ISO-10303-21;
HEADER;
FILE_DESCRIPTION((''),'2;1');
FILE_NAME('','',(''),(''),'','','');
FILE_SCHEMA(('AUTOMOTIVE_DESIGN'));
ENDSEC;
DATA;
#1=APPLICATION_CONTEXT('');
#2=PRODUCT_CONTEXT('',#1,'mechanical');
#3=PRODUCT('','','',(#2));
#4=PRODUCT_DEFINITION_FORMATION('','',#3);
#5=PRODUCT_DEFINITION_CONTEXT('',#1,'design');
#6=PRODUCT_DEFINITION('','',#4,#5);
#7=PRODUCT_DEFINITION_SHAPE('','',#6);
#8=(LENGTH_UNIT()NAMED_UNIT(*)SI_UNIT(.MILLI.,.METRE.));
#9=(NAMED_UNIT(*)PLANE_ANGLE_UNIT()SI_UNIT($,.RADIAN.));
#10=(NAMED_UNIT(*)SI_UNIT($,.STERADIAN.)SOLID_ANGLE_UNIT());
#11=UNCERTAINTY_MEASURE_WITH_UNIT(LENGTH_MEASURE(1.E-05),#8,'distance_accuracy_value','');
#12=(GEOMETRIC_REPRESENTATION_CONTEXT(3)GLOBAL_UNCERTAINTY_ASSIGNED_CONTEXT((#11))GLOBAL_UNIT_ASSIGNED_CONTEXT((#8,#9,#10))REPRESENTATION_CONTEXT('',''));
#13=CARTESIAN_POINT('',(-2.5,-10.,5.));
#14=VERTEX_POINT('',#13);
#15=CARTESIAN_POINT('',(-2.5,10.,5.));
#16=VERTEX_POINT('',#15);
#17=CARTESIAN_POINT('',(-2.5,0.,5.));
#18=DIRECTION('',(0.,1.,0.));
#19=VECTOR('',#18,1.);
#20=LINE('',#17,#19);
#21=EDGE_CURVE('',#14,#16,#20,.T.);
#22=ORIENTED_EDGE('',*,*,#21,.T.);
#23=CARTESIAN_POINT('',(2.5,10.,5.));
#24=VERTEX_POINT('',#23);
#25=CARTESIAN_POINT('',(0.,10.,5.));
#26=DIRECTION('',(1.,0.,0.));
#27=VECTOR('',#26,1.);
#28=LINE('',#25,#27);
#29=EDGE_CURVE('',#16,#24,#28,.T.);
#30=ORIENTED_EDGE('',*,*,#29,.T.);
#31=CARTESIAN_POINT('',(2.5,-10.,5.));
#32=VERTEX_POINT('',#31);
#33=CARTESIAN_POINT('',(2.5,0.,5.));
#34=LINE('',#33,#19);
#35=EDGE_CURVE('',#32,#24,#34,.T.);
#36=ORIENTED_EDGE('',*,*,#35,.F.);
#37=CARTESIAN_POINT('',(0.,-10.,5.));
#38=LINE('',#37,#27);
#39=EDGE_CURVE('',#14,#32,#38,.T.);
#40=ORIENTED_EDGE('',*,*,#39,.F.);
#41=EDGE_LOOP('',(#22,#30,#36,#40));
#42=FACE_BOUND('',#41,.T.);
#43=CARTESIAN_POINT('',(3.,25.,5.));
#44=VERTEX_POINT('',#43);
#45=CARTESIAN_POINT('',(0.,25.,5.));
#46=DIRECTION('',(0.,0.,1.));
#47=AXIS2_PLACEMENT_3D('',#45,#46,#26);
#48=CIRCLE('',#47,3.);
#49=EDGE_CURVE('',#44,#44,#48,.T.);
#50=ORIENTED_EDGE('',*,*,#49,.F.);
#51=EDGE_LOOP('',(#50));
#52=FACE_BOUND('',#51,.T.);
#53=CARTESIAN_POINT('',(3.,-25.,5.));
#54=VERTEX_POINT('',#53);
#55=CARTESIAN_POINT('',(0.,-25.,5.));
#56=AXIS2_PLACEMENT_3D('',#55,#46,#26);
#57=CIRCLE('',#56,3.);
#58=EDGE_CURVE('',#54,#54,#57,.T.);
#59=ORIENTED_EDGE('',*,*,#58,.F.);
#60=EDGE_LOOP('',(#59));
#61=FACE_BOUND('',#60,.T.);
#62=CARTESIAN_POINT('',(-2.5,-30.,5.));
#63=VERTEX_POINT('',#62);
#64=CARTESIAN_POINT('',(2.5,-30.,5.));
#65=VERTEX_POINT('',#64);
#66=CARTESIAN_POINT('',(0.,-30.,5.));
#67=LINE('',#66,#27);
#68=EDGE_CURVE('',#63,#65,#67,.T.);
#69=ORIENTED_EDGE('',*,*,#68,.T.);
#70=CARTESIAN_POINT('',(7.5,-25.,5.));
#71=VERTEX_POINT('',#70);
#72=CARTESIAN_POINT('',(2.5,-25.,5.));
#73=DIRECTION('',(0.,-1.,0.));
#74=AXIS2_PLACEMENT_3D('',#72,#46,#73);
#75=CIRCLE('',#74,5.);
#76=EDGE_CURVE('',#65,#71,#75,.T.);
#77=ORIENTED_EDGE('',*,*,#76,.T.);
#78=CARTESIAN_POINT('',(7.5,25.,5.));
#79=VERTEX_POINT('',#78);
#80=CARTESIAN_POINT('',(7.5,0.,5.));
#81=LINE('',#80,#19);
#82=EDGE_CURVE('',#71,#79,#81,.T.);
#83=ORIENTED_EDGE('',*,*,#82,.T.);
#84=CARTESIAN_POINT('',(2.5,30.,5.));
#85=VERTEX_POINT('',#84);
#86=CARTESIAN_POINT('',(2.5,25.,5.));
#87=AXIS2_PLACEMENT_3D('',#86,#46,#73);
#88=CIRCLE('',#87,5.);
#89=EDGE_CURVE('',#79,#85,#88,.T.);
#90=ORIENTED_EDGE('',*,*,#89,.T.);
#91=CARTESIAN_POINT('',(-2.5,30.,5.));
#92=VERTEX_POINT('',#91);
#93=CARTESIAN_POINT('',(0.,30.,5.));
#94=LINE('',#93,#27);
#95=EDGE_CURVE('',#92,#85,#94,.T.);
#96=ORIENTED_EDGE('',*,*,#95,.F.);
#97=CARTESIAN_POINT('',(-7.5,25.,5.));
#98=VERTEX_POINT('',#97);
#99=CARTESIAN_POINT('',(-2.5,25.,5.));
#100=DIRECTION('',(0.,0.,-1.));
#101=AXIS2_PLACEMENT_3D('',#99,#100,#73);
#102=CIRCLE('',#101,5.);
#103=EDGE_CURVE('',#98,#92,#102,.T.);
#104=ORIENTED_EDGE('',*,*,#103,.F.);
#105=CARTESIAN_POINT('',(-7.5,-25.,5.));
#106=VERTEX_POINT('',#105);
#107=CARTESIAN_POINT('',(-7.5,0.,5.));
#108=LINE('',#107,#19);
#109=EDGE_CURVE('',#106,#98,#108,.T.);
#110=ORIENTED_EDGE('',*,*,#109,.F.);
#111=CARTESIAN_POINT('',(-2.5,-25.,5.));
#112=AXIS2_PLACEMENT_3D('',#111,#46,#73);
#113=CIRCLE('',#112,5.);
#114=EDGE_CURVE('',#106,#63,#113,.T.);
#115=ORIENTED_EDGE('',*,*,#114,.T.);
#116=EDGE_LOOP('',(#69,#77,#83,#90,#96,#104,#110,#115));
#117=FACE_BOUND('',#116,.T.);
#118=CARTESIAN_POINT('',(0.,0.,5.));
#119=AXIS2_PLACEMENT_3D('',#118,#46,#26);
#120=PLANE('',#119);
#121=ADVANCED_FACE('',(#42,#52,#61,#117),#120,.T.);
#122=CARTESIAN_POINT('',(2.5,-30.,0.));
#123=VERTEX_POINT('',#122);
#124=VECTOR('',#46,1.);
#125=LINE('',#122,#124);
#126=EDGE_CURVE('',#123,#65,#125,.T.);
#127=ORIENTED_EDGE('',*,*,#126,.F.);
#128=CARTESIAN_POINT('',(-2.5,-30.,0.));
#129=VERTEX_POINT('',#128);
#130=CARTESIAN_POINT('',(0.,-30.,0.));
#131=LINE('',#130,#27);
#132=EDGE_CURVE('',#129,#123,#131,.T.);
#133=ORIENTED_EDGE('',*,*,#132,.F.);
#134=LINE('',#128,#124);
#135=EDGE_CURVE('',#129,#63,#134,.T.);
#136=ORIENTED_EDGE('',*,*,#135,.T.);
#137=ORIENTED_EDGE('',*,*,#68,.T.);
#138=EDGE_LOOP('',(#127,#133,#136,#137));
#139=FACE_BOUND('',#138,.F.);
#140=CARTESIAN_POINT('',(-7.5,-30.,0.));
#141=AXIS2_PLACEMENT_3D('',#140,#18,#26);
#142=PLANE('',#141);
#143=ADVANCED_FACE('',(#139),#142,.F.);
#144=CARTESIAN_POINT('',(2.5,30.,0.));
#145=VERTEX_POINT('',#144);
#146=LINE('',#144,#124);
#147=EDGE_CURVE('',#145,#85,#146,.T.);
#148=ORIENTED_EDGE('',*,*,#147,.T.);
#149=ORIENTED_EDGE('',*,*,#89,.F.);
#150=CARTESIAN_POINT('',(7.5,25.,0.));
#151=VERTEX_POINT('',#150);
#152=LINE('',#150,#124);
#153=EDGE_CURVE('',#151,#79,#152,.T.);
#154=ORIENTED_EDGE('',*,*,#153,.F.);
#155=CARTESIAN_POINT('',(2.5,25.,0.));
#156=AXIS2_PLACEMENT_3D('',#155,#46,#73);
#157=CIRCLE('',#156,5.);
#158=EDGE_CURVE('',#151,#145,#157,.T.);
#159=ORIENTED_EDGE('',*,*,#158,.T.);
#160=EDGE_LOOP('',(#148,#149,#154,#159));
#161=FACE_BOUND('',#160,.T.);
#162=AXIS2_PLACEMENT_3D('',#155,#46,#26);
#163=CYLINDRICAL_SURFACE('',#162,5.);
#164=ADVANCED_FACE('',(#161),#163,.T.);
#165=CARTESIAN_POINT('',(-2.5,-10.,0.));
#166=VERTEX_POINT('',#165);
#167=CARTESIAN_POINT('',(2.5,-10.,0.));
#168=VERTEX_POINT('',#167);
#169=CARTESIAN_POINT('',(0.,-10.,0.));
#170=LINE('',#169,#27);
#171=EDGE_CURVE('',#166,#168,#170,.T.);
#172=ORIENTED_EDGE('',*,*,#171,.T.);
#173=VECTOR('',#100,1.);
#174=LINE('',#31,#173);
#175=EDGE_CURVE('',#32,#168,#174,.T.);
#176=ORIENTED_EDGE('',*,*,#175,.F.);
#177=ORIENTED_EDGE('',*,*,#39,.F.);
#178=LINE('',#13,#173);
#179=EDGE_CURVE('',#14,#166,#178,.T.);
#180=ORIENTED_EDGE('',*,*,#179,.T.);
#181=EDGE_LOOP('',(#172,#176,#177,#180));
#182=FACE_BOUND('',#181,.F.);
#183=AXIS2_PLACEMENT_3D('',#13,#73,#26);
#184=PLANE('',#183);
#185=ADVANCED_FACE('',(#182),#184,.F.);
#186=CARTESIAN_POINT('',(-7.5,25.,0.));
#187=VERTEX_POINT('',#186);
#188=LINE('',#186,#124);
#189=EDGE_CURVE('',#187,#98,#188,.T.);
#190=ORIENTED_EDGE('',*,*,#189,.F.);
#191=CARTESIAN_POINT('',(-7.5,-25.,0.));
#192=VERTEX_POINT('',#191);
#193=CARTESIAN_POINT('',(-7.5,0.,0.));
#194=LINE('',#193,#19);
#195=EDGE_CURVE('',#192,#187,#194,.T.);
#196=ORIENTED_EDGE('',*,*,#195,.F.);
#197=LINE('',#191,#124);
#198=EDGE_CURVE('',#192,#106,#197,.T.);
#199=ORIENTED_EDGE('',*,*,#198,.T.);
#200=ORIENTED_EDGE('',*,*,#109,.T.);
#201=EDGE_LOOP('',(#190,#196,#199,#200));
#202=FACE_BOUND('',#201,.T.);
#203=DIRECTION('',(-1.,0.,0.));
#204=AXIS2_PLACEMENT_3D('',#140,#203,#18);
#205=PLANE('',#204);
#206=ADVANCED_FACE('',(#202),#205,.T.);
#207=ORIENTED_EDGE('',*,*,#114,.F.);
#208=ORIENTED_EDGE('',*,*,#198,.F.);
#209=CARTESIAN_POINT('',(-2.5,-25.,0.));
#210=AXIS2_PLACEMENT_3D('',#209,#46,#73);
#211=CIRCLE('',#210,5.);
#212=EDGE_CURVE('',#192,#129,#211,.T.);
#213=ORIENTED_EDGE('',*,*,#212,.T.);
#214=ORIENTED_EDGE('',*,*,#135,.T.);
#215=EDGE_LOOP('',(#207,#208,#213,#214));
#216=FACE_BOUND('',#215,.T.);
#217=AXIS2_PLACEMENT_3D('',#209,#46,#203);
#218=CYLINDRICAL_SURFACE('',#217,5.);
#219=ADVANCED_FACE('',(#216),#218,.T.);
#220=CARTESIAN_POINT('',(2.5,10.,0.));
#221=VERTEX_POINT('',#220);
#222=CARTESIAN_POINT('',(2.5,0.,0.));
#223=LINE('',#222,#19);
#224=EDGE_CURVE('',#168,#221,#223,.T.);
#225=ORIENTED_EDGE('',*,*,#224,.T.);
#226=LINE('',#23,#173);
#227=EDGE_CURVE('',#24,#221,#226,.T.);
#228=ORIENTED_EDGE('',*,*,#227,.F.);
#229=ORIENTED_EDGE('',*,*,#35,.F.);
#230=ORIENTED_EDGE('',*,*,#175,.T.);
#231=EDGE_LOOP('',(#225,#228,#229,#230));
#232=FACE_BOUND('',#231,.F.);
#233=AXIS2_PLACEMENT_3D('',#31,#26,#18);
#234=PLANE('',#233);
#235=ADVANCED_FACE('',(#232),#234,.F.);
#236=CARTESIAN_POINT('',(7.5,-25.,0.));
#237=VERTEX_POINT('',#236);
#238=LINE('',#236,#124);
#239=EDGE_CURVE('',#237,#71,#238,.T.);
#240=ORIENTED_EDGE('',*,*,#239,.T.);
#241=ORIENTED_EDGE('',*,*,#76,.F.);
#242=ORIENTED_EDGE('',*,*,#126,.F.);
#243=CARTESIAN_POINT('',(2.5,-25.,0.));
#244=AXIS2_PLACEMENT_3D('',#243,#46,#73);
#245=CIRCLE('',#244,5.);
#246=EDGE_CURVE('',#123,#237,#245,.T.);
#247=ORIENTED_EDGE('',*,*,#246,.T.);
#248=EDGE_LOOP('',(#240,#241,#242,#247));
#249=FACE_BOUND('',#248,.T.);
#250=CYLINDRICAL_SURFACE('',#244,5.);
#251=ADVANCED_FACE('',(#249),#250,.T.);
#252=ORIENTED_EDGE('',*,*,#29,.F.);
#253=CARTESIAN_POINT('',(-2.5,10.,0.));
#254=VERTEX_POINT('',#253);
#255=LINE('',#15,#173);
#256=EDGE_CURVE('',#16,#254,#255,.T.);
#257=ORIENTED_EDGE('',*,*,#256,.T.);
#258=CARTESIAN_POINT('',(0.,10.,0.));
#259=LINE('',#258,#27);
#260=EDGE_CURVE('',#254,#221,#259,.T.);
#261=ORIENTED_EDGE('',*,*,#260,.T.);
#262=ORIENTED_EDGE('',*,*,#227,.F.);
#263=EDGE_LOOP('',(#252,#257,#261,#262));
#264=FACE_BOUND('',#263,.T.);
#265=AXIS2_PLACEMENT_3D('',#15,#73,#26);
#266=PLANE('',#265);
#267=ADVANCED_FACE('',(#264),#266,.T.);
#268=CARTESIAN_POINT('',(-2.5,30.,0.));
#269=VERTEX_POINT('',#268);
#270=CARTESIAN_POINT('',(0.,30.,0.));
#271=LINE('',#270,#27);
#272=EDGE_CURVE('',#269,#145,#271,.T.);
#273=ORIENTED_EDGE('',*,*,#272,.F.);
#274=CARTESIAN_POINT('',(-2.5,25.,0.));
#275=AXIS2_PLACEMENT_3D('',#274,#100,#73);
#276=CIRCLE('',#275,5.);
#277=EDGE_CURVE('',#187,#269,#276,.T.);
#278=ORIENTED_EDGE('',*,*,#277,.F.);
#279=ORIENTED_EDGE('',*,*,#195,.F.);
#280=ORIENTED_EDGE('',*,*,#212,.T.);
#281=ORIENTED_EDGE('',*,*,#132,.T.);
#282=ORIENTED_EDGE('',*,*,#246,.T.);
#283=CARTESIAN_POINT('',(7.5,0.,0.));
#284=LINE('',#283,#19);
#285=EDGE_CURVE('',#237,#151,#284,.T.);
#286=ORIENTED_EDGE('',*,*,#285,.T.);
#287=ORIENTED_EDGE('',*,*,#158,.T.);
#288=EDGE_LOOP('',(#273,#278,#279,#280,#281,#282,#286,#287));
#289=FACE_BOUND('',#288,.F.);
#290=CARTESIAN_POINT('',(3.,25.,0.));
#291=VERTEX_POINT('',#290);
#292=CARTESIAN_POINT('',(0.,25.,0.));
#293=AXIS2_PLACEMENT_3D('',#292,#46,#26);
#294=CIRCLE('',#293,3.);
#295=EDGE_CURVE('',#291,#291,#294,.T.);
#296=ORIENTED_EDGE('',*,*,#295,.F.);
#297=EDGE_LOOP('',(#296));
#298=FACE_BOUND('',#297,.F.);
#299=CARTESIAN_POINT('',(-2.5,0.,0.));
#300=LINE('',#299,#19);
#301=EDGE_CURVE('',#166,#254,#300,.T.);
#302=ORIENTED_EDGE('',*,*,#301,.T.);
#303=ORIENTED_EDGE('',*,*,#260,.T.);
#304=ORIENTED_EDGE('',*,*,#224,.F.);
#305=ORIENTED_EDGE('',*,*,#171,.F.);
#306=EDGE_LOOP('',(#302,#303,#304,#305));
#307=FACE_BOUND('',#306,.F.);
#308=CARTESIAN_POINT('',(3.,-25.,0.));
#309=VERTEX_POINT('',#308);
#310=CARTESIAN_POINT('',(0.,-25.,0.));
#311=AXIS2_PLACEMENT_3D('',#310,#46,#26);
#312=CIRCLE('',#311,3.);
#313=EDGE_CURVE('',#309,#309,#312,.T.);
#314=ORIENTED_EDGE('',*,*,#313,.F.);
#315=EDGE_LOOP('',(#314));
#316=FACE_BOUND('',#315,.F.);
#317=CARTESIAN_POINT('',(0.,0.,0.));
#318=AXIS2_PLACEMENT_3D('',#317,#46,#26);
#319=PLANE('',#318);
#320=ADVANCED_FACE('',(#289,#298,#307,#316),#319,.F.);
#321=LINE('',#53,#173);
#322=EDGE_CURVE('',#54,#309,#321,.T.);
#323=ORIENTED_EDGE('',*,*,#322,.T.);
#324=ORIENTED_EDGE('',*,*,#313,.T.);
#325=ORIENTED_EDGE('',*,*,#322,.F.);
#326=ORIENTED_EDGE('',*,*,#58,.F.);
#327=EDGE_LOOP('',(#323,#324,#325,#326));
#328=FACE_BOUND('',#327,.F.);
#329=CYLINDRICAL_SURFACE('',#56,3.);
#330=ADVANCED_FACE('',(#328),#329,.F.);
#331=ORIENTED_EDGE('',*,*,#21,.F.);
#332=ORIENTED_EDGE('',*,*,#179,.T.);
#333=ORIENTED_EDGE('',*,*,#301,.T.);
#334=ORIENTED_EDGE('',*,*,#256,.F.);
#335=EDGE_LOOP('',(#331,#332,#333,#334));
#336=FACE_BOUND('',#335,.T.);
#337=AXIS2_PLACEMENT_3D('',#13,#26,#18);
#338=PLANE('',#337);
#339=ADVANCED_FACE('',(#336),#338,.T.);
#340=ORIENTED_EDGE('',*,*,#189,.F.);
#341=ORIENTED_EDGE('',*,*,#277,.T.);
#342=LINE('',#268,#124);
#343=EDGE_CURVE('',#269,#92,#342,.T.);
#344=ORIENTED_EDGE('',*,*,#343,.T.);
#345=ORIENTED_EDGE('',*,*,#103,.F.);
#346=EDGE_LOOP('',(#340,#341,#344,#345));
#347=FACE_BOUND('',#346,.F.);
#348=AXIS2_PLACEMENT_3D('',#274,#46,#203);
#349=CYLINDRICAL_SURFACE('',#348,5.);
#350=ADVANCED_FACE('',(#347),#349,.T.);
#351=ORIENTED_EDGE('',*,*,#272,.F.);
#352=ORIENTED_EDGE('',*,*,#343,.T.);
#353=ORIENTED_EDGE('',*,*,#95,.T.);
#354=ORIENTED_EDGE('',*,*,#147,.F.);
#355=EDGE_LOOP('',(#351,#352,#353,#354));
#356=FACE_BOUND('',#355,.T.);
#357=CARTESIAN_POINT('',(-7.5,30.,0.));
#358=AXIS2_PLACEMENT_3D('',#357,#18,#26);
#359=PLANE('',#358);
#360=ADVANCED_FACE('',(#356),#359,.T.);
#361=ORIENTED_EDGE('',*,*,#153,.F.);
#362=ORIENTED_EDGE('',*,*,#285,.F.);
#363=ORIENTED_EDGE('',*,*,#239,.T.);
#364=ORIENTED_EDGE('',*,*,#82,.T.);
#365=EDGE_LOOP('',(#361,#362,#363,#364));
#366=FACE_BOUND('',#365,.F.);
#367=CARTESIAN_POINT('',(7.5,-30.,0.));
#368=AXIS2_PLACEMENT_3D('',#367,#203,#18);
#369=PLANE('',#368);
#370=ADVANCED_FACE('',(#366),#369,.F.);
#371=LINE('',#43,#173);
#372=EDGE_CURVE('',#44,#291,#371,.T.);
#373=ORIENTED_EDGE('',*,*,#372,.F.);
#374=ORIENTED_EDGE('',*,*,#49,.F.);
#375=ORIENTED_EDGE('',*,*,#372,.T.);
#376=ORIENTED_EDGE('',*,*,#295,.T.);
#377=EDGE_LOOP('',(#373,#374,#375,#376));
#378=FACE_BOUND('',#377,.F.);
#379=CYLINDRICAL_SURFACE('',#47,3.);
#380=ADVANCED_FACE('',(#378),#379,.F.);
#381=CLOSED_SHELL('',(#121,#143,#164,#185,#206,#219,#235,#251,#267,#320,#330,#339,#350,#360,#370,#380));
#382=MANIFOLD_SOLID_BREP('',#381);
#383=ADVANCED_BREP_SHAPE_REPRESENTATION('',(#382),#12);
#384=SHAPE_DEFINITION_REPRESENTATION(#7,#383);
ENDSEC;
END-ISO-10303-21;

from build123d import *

# Parameters (mm, degrees)
F0_W     = 15
F0_H     = 60
F1_DEPTH = 5
F2_R     = 5
F4_W     = 5
F4_H     = 20
F5_DEPTH = 5
F3_R     = 3
F6_DEPTH = 5


with BuildPart() as f1:
    # F0 (on Top) → F1 (new body)
    with BuildSketch(Plane.XY):
        Rectangle(F0_W, F0_H)
    extrude(amount=F1_DEPTH)

    # F2
    f2_edges = [f1.edges().sort_by_distance(p)[0] for p in [
        (7.5, -30, 2.5),
        (-7.5, -30, 2.5),
        (7.5, 30, 2.5),
        (-7.5, 30, 2.5),
    ]]
    fillet(f2_edges, radius=F2_R)

    # F4 (on face) → F5 (cut, through all)
    with BuildSketch(Plane.XY.offset(5)):
        Rectangle(F4_W, F4_H)
    extrude(amount=-F5_DEPTH, mode=Mode.SUBTRACT)

    # F3 (on face) → F6 (cut, through all)
    with BuildSketch(Plane.XY.offset(5)):
        with Locations((0, -25)):
            Circle(F3_R)
        with Locations((0, 25)):
            Circle(F3_R)
    extrude(amount=-F6_DEPTH, mode=Mode.SUBTRACT)


solid = f1.part
